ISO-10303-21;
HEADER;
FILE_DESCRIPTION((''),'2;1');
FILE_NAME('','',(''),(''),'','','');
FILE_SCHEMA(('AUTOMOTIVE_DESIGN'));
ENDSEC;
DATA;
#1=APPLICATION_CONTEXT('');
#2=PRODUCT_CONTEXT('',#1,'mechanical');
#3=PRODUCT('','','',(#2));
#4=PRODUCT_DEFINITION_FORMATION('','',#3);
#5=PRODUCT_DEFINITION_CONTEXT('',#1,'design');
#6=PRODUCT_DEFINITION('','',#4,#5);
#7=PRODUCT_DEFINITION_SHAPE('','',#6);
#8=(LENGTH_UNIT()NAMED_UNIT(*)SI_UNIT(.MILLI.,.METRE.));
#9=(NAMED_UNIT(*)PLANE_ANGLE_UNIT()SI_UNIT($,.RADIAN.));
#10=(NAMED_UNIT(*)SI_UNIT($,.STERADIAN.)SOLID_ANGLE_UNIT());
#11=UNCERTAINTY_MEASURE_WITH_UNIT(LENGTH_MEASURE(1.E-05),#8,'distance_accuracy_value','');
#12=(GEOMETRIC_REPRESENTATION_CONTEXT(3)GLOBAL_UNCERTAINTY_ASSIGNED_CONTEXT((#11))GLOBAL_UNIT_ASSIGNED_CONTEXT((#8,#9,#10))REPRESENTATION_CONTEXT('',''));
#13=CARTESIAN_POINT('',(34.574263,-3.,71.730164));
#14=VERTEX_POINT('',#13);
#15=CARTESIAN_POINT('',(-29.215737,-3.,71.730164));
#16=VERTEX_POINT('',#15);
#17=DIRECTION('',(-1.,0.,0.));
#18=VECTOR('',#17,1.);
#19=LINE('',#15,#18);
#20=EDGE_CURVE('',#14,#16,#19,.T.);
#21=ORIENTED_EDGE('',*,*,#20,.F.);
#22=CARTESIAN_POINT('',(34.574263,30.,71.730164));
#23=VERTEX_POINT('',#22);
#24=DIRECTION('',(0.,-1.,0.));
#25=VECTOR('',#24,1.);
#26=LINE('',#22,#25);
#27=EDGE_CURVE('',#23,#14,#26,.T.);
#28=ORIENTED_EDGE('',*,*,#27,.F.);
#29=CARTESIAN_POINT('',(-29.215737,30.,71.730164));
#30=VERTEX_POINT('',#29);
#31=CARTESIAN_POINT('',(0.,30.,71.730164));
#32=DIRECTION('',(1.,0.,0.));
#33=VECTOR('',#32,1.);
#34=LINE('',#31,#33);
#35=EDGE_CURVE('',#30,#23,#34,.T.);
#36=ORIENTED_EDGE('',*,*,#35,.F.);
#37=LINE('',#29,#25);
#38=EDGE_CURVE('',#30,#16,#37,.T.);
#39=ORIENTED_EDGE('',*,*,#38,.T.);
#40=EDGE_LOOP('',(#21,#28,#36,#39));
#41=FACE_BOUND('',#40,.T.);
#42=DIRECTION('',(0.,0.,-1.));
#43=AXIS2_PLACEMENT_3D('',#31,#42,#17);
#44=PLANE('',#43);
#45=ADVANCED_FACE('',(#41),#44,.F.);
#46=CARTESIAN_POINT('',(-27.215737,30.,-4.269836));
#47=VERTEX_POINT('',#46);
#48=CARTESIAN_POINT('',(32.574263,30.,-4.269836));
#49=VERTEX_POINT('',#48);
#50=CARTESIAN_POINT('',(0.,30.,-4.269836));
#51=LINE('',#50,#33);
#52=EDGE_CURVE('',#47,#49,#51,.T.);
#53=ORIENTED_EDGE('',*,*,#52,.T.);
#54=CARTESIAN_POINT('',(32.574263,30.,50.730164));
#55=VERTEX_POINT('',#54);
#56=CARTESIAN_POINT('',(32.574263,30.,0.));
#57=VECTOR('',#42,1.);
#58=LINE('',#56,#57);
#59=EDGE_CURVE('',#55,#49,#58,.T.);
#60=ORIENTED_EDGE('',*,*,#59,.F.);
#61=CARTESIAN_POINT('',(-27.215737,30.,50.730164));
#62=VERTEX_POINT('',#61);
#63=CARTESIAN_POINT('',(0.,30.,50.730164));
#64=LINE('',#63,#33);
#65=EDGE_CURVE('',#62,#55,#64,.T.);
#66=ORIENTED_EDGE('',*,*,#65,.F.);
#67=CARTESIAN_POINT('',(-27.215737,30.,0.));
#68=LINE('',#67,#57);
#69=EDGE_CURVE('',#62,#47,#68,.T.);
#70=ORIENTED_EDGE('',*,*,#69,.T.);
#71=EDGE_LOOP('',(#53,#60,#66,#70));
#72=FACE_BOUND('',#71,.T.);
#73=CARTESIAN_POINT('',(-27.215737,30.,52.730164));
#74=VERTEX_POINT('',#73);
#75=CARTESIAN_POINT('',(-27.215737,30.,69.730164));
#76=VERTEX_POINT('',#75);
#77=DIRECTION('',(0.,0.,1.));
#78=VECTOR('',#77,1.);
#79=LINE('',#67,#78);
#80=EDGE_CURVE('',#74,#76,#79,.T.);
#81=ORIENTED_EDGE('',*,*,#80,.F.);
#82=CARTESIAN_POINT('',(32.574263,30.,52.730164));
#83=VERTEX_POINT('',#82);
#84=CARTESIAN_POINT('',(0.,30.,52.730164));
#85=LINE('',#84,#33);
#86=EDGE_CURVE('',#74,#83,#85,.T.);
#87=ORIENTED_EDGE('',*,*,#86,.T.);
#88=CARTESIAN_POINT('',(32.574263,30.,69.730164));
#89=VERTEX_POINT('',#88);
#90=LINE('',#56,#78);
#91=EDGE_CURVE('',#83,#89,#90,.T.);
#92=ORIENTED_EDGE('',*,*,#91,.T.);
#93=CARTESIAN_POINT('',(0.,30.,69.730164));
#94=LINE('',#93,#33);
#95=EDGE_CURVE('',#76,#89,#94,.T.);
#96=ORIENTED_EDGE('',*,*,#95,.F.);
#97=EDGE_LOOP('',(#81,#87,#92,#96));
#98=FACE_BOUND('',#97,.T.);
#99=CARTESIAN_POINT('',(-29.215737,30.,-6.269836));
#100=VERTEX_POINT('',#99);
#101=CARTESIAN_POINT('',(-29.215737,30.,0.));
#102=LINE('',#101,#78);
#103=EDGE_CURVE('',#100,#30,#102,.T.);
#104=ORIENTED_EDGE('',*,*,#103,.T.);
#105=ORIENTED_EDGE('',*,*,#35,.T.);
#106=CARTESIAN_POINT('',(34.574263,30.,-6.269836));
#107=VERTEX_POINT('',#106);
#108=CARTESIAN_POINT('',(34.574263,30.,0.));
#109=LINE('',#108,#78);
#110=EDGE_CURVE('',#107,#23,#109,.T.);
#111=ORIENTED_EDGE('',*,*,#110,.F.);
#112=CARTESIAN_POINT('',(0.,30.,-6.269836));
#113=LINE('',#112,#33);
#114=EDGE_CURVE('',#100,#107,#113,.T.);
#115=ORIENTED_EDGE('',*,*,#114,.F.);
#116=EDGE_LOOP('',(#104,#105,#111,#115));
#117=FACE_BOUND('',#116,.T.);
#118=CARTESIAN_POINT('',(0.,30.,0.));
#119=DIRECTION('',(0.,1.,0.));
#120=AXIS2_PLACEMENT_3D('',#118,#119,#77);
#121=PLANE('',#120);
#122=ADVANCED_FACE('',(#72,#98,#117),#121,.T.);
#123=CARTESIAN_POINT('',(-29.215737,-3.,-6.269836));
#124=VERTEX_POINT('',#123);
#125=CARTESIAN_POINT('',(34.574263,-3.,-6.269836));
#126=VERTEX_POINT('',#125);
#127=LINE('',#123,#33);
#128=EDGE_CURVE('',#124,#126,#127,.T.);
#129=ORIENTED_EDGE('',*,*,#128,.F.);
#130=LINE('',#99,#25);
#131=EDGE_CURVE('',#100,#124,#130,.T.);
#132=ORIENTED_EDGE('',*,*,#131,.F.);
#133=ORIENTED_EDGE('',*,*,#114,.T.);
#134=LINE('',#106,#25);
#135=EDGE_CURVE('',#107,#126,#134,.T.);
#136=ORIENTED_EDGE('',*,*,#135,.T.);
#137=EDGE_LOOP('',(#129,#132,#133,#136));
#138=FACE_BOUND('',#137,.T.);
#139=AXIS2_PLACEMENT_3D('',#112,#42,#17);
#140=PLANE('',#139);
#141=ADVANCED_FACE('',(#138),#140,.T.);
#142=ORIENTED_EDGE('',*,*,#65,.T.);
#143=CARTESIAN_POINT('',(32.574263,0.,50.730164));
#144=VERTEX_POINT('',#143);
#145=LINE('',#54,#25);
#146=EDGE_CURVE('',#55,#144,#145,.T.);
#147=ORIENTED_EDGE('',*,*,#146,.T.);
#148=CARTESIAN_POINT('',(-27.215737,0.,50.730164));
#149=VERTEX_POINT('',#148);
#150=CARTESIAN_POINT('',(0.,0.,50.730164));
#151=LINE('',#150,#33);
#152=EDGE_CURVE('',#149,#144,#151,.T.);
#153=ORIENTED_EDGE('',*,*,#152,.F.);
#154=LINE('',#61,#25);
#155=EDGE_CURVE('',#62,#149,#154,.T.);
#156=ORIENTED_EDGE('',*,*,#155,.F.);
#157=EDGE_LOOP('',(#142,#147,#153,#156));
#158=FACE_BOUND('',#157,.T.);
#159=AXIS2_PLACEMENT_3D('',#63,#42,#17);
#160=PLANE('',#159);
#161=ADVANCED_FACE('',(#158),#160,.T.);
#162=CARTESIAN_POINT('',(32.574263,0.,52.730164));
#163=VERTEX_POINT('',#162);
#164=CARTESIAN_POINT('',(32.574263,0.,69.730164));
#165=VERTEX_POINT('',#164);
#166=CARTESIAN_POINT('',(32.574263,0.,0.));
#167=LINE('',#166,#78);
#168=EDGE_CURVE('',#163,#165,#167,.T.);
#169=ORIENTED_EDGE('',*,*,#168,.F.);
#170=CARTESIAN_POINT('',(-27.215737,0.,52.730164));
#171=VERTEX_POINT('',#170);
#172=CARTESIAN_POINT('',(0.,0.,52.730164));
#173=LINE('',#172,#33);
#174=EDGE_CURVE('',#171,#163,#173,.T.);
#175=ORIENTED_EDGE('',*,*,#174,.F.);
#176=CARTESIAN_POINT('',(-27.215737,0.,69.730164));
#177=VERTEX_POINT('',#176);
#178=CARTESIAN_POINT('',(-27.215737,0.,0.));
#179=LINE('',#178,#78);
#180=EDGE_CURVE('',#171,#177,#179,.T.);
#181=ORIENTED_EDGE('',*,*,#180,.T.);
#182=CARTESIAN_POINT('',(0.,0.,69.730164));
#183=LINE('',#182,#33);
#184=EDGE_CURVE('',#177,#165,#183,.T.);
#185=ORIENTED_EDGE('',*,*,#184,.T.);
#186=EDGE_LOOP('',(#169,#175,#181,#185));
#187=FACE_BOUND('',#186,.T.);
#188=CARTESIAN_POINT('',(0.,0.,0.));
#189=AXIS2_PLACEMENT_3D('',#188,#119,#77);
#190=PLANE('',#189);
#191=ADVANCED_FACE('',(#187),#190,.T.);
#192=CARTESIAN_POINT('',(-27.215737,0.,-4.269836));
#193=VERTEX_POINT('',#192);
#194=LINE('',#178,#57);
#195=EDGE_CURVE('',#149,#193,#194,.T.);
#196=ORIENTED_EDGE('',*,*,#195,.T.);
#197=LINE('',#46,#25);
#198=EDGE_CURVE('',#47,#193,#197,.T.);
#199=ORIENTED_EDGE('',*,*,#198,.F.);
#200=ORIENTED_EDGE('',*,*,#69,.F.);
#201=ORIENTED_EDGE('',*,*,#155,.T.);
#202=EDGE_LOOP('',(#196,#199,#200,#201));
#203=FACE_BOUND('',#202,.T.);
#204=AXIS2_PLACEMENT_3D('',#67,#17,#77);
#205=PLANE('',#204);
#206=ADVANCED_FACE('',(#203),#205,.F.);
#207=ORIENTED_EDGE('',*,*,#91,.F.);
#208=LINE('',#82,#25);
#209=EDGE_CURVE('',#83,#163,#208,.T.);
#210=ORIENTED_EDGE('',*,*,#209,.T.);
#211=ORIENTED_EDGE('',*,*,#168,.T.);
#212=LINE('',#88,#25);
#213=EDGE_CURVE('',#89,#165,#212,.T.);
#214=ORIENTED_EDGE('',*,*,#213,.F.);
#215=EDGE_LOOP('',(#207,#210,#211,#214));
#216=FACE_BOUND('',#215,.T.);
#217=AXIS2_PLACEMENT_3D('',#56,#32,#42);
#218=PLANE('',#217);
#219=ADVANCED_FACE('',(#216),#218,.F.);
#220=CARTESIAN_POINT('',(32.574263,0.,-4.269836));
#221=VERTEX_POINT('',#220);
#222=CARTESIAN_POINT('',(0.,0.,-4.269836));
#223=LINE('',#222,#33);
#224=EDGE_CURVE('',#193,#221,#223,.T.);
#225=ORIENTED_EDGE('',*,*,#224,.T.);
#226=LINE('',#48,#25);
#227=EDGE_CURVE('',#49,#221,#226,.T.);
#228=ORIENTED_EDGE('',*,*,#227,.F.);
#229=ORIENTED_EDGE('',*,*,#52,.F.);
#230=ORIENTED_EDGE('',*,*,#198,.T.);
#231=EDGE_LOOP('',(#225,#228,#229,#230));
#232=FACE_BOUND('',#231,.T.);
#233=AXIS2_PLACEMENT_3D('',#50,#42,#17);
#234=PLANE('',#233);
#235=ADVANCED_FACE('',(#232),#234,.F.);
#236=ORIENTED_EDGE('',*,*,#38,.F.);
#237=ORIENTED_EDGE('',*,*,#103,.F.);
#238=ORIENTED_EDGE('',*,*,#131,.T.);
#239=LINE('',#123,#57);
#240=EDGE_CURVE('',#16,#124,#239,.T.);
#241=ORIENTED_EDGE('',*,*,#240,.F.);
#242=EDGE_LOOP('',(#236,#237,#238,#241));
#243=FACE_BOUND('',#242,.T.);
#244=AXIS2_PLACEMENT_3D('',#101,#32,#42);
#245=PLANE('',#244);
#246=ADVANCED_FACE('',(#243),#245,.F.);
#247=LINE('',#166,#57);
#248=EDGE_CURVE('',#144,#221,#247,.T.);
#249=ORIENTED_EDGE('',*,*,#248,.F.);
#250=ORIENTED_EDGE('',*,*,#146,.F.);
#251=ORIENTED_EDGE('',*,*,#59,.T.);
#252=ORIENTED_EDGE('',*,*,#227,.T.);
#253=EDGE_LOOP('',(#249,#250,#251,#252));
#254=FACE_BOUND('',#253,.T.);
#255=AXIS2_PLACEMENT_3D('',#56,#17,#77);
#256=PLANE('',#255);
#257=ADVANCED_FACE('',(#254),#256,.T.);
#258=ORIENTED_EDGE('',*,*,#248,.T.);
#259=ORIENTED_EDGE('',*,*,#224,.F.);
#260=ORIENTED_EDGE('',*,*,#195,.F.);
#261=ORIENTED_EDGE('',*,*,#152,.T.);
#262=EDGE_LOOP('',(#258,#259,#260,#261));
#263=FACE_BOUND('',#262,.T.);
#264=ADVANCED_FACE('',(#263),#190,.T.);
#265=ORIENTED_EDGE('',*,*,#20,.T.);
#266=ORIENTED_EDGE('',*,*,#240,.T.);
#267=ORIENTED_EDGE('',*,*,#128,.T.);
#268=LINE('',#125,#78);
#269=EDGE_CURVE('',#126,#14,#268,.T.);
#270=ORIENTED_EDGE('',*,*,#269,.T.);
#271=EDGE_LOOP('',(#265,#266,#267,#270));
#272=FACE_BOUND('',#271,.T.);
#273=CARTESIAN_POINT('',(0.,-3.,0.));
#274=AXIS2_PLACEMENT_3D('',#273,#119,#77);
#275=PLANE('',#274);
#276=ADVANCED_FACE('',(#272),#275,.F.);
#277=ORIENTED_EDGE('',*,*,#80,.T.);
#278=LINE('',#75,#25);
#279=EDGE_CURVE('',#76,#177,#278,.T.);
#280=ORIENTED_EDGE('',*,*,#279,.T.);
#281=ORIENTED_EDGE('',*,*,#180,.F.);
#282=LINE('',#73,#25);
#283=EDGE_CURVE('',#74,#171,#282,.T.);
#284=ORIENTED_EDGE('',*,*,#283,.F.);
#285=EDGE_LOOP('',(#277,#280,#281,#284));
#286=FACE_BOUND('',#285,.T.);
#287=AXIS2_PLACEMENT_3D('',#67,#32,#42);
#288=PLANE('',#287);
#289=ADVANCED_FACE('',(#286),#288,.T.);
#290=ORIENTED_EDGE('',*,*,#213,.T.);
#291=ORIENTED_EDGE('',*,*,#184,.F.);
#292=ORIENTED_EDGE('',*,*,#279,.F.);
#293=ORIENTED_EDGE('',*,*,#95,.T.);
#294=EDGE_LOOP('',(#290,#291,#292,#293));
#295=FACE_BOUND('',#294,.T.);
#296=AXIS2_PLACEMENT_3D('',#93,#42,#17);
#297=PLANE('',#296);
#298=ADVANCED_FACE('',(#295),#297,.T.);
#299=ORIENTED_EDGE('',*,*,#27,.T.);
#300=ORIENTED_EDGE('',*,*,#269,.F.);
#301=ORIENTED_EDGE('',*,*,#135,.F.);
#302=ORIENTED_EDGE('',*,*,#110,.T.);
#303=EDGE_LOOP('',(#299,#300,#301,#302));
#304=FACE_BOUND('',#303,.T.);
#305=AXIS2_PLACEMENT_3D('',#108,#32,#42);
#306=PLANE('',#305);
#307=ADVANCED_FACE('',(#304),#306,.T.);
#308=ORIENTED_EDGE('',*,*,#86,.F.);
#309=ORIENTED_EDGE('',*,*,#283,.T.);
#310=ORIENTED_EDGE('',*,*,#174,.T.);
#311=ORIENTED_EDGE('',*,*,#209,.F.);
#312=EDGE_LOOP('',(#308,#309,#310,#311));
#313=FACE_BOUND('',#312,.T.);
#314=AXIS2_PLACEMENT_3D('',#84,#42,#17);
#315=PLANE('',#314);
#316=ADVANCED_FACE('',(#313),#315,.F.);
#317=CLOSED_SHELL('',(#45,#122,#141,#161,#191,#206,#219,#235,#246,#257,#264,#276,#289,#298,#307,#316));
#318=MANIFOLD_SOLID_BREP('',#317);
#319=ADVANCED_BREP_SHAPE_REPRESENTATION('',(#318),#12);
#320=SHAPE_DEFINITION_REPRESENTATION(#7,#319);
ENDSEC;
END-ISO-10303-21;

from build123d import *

# Parameters (mm, degrees)
SKETCH2_W           = 63.79
SKETCH2_H           = 78
SKETCH2_W_2         = 59.79
SKETCH2_H_2         = 55
SKETCH2_H_3         = 17
BOSS_EXTRUDE1_DEPTH = 30
SKETCH4_W           = 63.79
SKETCH4_H           = 78
BOSS_EXTRUDE2_DEPTH = 3


with BuildPart() as part:
    # Sketch2 → Boss-Extrude1 (new body)
    with BuildSketch(Plane(origin=(0, 0, 0), x_dir=(1, 0, 0), z_dir=(0, 1, 0))):
        with Locations((2.679262675, -32.730163819)):
            Rectangle(SKETCH2_W, SKETCH2_H)
        with Locations((2.679262675, -23.230163819)):
            Rectangle(SKETCH2_W_2, SKETCH2_H_2, mode=Mode.SUBTRACT)
        with Locations((2.679262675, -61.230163819)):
            Rectangle(SKETCH2_W_2, SKETCH2_H_3, mode=Mode.SUBTRACT)
    extrude(amount=BOSS_EXTRUDE1_DEPTH)

    # Sketch4 → Boss-Extrude2 (add)
    with BuildSketch(Plane.XZ):
        with Locations((2.679262675, 32.730163819)):
            Rectangle(SKETCH4_W, SKETCH4_H)
    extrude(amount=BOSS_EXTRUDE2_DEPTH)


solid = part.part
